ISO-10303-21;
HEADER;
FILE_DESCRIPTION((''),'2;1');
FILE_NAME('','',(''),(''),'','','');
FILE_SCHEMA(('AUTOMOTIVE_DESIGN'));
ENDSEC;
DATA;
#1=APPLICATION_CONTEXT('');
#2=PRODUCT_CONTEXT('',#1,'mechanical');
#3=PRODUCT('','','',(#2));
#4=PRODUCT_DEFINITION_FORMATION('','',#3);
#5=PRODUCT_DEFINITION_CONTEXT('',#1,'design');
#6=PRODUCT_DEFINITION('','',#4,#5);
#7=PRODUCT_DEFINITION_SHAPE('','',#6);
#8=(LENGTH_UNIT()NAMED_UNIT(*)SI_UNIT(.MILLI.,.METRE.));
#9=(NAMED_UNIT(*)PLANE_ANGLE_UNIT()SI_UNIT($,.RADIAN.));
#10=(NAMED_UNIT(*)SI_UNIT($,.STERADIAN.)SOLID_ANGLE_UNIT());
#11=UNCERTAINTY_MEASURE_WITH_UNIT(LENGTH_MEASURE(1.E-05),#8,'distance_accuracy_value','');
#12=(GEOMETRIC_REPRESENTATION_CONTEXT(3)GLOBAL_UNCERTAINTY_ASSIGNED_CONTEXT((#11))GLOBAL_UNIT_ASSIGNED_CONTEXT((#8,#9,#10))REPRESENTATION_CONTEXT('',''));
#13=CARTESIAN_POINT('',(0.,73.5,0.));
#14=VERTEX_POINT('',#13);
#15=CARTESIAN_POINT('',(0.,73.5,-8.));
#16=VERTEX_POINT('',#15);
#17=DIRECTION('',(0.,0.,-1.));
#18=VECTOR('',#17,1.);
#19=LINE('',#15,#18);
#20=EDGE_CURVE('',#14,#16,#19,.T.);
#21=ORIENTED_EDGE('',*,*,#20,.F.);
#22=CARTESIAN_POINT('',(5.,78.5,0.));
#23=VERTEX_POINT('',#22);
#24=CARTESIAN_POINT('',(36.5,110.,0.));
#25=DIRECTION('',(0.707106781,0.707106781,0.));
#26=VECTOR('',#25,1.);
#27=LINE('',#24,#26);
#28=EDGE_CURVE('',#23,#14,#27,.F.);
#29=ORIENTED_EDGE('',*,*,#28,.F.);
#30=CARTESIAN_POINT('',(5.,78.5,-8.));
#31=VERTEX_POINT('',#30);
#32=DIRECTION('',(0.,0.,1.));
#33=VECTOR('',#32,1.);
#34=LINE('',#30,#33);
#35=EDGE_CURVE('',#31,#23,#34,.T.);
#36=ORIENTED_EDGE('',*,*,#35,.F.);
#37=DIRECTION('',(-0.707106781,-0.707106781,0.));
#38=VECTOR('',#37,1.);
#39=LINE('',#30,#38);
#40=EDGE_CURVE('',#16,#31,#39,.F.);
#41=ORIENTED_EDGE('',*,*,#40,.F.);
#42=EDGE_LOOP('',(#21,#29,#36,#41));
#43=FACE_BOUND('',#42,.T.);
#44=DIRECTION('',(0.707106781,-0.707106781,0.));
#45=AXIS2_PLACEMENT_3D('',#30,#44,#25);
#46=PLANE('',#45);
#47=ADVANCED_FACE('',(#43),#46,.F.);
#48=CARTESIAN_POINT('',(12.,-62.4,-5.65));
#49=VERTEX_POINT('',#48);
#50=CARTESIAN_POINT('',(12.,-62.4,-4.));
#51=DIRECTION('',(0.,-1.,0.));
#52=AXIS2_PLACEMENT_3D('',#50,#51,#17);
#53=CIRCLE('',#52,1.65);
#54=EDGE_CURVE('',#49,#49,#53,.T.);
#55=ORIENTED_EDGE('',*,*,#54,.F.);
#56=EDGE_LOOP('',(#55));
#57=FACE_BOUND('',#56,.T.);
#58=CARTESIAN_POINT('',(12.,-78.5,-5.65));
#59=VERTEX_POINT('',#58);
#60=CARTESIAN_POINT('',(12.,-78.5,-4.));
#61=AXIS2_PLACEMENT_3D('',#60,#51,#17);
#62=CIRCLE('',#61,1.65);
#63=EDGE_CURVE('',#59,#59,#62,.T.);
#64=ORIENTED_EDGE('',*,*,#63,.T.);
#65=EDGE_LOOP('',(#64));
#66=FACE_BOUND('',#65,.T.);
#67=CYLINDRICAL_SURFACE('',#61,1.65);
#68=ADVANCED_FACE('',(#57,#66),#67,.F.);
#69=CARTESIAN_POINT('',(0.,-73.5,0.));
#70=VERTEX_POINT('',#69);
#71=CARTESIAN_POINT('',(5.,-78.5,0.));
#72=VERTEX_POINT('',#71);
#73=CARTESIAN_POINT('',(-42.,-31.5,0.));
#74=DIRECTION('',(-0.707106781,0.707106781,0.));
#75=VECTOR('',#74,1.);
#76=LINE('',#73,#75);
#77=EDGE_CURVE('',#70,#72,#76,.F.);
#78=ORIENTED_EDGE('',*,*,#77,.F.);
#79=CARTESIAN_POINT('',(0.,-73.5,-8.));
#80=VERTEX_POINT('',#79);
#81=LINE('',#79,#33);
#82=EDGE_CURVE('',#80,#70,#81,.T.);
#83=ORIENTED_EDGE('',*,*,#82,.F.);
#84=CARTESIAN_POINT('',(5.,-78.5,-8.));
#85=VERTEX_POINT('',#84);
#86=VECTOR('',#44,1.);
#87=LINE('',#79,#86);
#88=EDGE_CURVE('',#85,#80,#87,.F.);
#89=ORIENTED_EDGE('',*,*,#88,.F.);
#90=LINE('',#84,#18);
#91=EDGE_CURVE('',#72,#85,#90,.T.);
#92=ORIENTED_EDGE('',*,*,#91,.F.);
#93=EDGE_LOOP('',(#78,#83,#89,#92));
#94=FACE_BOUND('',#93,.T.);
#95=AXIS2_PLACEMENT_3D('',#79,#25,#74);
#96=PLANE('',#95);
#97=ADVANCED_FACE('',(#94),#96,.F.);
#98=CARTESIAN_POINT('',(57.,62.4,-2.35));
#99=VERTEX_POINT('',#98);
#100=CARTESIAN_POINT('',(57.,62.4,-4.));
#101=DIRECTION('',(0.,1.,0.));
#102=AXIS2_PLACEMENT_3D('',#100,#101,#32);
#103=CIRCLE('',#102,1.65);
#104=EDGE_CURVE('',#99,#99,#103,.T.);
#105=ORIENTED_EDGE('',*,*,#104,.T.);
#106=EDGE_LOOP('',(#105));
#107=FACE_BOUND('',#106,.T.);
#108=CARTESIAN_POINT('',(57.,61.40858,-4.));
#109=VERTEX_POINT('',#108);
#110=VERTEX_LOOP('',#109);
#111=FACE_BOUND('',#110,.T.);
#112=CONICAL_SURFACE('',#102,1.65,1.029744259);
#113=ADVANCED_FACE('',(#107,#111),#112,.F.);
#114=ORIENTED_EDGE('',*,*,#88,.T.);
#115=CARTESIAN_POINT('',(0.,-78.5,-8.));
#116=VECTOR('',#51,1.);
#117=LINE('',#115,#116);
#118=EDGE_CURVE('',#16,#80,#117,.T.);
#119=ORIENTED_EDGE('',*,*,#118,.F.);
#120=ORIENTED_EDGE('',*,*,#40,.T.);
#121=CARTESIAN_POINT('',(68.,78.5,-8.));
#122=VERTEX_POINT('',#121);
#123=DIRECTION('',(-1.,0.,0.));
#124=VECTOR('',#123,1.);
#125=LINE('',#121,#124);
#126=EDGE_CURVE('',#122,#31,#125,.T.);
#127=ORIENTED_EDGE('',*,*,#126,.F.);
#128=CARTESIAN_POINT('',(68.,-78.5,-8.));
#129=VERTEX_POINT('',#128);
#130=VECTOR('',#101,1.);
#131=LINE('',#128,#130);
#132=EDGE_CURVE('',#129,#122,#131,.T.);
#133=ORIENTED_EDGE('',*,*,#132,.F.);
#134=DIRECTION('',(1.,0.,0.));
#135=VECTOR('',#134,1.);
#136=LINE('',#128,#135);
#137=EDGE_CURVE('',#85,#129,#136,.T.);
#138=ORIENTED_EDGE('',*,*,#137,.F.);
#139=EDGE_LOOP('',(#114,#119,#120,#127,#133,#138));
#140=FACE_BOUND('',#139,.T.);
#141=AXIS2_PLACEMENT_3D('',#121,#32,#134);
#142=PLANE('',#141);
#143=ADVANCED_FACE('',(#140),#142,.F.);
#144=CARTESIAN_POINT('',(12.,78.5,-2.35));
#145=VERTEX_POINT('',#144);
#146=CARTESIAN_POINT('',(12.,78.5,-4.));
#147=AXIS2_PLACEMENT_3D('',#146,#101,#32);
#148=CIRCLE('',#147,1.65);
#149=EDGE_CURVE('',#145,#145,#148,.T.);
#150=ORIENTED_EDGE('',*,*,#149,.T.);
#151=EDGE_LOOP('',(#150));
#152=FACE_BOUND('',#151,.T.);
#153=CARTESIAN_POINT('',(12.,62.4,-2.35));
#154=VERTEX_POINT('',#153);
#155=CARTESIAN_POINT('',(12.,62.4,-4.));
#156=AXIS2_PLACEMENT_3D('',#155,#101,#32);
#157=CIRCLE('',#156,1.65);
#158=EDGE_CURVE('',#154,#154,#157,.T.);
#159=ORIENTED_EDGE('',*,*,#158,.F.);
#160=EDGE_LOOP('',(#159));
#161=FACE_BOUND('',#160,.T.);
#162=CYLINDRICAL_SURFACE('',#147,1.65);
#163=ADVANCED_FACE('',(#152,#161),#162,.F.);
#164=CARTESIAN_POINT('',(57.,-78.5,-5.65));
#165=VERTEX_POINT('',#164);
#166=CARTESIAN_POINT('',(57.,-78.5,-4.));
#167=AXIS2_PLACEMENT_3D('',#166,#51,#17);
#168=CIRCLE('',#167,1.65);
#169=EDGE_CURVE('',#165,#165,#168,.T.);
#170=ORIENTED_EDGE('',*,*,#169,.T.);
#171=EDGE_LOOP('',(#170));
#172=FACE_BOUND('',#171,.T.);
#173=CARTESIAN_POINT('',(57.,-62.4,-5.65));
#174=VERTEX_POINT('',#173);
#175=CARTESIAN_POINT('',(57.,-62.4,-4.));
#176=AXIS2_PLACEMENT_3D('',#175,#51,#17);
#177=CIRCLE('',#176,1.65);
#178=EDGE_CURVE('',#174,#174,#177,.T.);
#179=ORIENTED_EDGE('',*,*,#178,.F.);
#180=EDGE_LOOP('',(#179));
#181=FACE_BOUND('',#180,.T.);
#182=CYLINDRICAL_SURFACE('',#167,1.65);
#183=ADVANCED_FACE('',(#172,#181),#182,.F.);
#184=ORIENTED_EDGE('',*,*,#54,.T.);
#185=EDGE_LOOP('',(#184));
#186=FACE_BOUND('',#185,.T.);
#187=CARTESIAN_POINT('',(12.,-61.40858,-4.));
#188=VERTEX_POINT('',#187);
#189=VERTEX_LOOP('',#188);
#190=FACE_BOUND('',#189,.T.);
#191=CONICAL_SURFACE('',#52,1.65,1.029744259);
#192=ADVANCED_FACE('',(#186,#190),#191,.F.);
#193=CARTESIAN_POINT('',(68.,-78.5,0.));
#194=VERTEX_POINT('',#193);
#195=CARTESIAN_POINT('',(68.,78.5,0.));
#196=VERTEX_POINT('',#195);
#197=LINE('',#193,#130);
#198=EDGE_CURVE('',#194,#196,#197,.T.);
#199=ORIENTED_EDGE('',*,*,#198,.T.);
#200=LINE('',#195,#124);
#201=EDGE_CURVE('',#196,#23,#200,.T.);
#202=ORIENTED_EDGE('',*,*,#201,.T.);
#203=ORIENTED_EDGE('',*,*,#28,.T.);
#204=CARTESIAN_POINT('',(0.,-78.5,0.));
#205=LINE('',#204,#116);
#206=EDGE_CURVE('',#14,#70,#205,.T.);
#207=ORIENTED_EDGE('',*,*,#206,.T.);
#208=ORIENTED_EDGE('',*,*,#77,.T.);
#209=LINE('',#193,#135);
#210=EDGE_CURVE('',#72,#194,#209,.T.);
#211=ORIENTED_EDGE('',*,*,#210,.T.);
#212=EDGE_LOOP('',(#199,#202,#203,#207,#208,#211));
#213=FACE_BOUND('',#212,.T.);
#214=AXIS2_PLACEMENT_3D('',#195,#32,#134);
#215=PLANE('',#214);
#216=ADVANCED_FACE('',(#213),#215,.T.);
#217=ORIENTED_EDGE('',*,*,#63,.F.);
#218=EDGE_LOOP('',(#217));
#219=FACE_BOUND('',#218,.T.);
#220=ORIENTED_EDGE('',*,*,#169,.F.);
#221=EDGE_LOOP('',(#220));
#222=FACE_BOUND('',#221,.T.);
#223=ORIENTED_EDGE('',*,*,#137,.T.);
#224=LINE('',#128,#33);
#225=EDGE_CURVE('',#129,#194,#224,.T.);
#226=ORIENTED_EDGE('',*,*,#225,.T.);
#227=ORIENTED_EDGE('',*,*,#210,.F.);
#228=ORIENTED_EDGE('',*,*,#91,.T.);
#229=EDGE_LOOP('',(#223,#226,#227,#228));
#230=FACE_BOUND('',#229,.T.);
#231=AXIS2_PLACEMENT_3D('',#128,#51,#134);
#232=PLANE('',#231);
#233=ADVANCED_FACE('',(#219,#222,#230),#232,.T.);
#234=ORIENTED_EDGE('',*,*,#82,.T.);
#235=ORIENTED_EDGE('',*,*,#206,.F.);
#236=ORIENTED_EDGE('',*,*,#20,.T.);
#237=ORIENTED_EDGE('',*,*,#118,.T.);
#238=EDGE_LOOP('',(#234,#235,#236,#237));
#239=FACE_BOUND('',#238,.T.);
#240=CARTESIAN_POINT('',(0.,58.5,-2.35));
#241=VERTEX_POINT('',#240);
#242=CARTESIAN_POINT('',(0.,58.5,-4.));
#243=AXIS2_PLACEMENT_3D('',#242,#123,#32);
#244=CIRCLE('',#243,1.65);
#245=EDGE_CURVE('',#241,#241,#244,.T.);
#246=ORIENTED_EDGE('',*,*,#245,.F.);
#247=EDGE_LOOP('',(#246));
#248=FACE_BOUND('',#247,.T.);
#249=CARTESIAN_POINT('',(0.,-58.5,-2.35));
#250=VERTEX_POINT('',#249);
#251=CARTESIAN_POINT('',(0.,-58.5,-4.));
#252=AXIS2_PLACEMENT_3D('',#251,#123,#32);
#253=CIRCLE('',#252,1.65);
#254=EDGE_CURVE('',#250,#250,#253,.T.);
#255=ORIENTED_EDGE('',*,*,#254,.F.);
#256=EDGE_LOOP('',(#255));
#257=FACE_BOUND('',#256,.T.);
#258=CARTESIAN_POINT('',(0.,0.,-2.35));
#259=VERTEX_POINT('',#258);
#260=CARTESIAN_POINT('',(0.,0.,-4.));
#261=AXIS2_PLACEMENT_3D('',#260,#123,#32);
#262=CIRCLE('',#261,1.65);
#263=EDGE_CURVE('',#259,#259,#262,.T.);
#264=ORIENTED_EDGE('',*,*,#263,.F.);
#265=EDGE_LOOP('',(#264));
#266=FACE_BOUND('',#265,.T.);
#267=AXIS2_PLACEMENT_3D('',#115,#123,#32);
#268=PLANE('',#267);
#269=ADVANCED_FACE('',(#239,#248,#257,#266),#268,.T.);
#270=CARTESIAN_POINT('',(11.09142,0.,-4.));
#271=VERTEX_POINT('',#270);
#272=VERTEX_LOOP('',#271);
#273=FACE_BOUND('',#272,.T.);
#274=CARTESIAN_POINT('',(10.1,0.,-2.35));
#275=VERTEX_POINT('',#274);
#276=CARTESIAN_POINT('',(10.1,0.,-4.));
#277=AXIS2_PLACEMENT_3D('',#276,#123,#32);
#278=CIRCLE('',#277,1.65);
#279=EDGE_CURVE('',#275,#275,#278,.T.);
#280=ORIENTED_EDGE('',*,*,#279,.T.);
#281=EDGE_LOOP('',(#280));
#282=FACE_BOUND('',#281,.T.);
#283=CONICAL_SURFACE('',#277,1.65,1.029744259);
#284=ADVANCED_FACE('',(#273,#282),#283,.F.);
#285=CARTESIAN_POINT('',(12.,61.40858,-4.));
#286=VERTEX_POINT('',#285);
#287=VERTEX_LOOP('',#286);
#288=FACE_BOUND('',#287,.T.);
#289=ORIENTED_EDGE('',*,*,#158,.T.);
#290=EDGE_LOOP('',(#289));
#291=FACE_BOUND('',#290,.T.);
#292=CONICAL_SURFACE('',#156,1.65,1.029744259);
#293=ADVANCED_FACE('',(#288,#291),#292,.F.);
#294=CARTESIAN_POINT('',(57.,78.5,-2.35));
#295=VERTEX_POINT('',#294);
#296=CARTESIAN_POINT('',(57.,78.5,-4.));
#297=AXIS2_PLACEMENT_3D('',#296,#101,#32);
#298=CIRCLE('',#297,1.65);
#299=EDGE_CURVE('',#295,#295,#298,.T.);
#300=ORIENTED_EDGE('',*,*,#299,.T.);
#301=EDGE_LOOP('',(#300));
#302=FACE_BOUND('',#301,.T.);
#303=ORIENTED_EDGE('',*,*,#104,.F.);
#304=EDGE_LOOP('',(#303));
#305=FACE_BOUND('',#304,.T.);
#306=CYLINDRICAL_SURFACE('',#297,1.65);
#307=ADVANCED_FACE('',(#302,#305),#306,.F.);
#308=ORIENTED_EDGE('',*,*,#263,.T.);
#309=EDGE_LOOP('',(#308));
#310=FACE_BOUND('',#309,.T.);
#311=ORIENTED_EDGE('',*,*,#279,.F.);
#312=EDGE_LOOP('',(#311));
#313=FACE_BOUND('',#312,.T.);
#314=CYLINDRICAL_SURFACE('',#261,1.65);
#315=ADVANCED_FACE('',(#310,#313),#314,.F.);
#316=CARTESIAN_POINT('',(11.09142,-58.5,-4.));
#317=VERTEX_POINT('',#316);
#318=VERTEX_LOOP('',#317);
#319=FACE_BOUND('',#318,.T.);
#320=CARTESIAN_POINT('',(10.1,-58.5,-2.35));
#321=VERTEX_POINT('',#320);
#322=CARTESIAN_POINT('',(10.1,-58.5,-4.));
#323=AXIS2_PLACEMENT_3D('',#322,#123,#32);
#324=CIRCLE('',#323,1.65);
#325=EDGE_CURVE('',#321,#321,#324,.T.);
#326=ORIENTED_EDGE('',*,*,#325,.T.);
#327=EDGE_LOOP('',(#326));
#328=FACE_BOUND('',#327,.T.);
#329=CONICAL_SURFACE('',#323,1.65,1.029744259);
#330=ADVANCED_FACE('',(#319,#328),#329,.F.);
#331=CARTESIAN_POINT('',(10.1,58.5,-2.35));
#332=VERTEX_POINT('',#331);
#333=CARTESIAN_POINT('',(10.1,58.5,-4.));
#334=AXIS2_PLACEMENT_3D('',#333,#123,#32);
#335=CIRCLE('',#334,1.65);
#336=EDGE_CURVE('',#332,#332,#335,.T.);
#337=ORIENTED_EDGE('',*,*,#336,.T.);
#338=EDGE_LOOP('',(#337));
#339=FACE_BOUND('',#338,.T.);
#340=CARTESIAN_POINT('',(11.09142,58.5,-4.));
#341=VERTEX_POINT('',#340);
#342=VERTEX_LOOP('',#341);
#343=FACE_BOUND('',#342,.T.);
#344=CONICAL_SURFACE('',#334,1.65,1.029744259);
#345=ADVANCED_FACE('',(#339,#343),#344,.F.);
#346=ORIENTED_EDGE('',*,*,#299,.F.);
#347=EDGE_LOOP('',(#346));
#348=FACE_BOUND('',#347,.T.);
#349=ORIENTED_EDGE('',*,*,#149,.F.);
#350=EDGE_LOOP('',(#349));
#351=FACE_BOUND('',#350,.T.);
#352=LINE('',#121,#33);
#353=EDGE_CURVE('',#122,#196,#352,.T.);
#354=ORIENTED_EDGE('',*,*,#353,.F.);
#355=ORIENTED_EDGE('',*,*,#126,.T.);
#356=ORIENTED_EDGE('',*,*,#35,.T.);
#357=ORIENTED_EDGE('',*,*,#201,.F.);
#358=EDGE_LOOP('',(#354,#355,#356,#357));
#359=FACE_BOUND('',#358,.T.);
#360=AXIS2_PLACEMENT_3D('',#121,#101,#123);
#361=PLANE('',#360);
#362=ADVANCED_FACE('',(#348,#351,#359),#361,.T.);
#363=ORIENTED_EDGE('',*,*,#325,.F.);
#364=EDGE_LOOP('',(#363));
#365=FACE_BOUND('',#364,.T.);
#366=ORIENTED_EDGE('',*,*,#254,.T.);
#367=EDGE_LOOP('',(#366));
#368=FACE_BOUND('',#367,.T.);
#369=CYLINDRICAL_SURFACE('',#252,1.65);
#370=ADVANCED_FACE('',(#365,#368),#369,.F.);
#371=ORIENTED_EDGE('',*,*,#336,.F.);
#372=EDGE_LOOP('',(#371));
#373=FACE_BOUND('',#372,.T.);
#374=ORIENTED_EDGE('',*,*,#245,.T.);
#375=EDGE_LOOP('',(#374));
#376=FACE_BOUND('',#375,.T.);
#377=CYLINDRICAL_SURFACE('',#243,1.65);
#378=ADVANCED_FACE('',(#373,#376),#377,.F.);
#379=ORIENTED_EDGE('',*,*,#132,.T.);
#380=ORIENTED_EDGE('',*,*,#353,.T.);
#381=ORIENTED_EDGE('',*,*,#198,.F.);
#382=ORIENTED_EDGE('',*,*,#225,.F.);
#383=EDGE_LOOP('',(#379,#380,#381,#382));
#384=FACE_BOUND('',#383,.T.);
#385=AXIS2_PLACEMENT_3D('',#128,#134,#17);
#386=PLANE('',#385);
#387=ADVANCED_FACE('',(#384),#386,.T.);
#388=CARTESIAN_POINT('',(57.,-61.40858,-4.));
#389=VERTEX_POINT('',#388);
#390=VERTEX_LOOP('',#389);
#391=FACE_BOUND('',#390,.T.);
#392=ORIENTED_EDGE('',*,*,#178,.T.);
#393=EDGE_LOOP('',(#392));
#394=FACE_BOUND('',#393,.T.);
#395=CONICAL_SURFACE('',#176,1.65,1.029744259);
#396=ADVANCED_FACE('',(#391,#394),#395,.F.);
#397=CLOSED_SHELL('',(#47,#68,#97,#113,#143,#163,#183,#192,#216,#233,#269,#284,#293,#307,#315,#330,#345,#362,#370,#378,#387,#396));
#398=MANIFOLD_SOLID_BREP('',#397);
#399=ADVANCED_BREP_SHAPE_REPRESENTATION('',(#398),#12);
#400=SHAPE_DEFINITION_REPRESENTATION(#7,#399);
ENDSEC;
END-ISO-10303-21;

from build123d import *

# Parameters (mm, degrees)
SKETCH1_W                      = 68
SKETCH1_H                      = 157
BOSS_EXTRUDE1_DEPTH            = 8
M4X0_7_TAPPED_HOLE1_AT_2_COUNT = 2
M4X0_7_TAPPED_HOLE1_AT_2_PITCH = 45
M4X0_7_TAPPED_HOLE2_D          = 3.3
M4X0_7_TAPPED_HOLE2_DEPTH      = 10.1
M4X0_7_TAPPED_HOLE2_TIP        = 0.991420021
CHAMFER1_SIZE                  = 5


with BuildPart() as part:
    # Sketch1 → Boss-Extrude1 (new body)
    with BuildSketch(Plane.XY):
        with Locations((34, 0)):
            Rectangle(SKETCH1_W, SKETCH1_H)
    extrude(amount=-BOSS_EXTRUDE1_DEPTH)

    # Sketch4 → M4x0.7 Tapped Hole1 (revolve, cut)
    with BuildSketch(Plane(origin=(12, 78.5, -4), x_dir=(0, 0, 1), z_dir=(1, 0, 0))):
        Polygon((0, 0), (0, 17.091420021), (1.65, 16.1), (1.65, 0), align=None)
    m4x0_7_tapped_hole1 = revolve(axis=Axis((12, 84.85, -4), (0, -1, 0)), mode=Mode.SUBTRACT)

    # M4x0.7 Tapped Hole1 at 2: M4x0.7 Tapped Hole1 ×2
    with Locations(*[(i * M4X0_7_TAPPED_HOLE1_AT_2_PITCH, 0, 0) for i in range(1, M4X0_7_TAPPED_HOLE1_AT_2_COUNT)]):
        add(m4x0_7_tapped_hole1, mode=Mode.SUBTRACT)

    # M4x0.7 Tapped Hole2
    with Locations(Plane.ZY):
        with Locations((-4, 58.5), (-4, 0), (-4, -58.5)):
            Hole(M4X0_7_TAPPED_HOLE2_D / 2, depth=M4X0_7_TAPPED_HOLE2_DEPTH)
            with Locations((0, 0, -(M4X0_7_TAPPED_HOLE2_DEPTH + M4X0_7_TAPPED_HOLE2_TIP / 2))):  # 118° drill point
                Cone(0, M4X0_7_TAPPED_HOLE2_D / 2, M4X0_7_TAPPED_HOLE2_TIP, mode=Mode.SUBTRACT)

    # Mirror1: M4x0.7 Tapped Hole1 across plane
    add(m4x0_7_tapped_hole1.mirror(Plane.ZX), mode=Mode.SUBTRACT)

    # Mirror1 copy 1 sketch → Mirror1 copy 1 (revolve, cut)
    with BuildSketch(Plane(origin=(57, -78.5, -4), x_dir=(0, 0, 1), z_dir=(1, 0, 0))):
        Polygon((0, 0), (0, -17.091420021), (1.65, -16.1), (1.65, 0), align=None)
    revolve(axis=Axis((57, -84.85, -4), (0, -1, 0)), mode=Mode.SUBTRACT)

    # Chamfer1
    chamfer1_edges = [part.edges().sort_by_distance(p)[0] for p in [
        (0, -78.5, -4),
        (0, 78.5, -4),
    ]]
    chamfer(chamfer1_edges, length=CHAMFER1_SIZE)


solid = part.part
